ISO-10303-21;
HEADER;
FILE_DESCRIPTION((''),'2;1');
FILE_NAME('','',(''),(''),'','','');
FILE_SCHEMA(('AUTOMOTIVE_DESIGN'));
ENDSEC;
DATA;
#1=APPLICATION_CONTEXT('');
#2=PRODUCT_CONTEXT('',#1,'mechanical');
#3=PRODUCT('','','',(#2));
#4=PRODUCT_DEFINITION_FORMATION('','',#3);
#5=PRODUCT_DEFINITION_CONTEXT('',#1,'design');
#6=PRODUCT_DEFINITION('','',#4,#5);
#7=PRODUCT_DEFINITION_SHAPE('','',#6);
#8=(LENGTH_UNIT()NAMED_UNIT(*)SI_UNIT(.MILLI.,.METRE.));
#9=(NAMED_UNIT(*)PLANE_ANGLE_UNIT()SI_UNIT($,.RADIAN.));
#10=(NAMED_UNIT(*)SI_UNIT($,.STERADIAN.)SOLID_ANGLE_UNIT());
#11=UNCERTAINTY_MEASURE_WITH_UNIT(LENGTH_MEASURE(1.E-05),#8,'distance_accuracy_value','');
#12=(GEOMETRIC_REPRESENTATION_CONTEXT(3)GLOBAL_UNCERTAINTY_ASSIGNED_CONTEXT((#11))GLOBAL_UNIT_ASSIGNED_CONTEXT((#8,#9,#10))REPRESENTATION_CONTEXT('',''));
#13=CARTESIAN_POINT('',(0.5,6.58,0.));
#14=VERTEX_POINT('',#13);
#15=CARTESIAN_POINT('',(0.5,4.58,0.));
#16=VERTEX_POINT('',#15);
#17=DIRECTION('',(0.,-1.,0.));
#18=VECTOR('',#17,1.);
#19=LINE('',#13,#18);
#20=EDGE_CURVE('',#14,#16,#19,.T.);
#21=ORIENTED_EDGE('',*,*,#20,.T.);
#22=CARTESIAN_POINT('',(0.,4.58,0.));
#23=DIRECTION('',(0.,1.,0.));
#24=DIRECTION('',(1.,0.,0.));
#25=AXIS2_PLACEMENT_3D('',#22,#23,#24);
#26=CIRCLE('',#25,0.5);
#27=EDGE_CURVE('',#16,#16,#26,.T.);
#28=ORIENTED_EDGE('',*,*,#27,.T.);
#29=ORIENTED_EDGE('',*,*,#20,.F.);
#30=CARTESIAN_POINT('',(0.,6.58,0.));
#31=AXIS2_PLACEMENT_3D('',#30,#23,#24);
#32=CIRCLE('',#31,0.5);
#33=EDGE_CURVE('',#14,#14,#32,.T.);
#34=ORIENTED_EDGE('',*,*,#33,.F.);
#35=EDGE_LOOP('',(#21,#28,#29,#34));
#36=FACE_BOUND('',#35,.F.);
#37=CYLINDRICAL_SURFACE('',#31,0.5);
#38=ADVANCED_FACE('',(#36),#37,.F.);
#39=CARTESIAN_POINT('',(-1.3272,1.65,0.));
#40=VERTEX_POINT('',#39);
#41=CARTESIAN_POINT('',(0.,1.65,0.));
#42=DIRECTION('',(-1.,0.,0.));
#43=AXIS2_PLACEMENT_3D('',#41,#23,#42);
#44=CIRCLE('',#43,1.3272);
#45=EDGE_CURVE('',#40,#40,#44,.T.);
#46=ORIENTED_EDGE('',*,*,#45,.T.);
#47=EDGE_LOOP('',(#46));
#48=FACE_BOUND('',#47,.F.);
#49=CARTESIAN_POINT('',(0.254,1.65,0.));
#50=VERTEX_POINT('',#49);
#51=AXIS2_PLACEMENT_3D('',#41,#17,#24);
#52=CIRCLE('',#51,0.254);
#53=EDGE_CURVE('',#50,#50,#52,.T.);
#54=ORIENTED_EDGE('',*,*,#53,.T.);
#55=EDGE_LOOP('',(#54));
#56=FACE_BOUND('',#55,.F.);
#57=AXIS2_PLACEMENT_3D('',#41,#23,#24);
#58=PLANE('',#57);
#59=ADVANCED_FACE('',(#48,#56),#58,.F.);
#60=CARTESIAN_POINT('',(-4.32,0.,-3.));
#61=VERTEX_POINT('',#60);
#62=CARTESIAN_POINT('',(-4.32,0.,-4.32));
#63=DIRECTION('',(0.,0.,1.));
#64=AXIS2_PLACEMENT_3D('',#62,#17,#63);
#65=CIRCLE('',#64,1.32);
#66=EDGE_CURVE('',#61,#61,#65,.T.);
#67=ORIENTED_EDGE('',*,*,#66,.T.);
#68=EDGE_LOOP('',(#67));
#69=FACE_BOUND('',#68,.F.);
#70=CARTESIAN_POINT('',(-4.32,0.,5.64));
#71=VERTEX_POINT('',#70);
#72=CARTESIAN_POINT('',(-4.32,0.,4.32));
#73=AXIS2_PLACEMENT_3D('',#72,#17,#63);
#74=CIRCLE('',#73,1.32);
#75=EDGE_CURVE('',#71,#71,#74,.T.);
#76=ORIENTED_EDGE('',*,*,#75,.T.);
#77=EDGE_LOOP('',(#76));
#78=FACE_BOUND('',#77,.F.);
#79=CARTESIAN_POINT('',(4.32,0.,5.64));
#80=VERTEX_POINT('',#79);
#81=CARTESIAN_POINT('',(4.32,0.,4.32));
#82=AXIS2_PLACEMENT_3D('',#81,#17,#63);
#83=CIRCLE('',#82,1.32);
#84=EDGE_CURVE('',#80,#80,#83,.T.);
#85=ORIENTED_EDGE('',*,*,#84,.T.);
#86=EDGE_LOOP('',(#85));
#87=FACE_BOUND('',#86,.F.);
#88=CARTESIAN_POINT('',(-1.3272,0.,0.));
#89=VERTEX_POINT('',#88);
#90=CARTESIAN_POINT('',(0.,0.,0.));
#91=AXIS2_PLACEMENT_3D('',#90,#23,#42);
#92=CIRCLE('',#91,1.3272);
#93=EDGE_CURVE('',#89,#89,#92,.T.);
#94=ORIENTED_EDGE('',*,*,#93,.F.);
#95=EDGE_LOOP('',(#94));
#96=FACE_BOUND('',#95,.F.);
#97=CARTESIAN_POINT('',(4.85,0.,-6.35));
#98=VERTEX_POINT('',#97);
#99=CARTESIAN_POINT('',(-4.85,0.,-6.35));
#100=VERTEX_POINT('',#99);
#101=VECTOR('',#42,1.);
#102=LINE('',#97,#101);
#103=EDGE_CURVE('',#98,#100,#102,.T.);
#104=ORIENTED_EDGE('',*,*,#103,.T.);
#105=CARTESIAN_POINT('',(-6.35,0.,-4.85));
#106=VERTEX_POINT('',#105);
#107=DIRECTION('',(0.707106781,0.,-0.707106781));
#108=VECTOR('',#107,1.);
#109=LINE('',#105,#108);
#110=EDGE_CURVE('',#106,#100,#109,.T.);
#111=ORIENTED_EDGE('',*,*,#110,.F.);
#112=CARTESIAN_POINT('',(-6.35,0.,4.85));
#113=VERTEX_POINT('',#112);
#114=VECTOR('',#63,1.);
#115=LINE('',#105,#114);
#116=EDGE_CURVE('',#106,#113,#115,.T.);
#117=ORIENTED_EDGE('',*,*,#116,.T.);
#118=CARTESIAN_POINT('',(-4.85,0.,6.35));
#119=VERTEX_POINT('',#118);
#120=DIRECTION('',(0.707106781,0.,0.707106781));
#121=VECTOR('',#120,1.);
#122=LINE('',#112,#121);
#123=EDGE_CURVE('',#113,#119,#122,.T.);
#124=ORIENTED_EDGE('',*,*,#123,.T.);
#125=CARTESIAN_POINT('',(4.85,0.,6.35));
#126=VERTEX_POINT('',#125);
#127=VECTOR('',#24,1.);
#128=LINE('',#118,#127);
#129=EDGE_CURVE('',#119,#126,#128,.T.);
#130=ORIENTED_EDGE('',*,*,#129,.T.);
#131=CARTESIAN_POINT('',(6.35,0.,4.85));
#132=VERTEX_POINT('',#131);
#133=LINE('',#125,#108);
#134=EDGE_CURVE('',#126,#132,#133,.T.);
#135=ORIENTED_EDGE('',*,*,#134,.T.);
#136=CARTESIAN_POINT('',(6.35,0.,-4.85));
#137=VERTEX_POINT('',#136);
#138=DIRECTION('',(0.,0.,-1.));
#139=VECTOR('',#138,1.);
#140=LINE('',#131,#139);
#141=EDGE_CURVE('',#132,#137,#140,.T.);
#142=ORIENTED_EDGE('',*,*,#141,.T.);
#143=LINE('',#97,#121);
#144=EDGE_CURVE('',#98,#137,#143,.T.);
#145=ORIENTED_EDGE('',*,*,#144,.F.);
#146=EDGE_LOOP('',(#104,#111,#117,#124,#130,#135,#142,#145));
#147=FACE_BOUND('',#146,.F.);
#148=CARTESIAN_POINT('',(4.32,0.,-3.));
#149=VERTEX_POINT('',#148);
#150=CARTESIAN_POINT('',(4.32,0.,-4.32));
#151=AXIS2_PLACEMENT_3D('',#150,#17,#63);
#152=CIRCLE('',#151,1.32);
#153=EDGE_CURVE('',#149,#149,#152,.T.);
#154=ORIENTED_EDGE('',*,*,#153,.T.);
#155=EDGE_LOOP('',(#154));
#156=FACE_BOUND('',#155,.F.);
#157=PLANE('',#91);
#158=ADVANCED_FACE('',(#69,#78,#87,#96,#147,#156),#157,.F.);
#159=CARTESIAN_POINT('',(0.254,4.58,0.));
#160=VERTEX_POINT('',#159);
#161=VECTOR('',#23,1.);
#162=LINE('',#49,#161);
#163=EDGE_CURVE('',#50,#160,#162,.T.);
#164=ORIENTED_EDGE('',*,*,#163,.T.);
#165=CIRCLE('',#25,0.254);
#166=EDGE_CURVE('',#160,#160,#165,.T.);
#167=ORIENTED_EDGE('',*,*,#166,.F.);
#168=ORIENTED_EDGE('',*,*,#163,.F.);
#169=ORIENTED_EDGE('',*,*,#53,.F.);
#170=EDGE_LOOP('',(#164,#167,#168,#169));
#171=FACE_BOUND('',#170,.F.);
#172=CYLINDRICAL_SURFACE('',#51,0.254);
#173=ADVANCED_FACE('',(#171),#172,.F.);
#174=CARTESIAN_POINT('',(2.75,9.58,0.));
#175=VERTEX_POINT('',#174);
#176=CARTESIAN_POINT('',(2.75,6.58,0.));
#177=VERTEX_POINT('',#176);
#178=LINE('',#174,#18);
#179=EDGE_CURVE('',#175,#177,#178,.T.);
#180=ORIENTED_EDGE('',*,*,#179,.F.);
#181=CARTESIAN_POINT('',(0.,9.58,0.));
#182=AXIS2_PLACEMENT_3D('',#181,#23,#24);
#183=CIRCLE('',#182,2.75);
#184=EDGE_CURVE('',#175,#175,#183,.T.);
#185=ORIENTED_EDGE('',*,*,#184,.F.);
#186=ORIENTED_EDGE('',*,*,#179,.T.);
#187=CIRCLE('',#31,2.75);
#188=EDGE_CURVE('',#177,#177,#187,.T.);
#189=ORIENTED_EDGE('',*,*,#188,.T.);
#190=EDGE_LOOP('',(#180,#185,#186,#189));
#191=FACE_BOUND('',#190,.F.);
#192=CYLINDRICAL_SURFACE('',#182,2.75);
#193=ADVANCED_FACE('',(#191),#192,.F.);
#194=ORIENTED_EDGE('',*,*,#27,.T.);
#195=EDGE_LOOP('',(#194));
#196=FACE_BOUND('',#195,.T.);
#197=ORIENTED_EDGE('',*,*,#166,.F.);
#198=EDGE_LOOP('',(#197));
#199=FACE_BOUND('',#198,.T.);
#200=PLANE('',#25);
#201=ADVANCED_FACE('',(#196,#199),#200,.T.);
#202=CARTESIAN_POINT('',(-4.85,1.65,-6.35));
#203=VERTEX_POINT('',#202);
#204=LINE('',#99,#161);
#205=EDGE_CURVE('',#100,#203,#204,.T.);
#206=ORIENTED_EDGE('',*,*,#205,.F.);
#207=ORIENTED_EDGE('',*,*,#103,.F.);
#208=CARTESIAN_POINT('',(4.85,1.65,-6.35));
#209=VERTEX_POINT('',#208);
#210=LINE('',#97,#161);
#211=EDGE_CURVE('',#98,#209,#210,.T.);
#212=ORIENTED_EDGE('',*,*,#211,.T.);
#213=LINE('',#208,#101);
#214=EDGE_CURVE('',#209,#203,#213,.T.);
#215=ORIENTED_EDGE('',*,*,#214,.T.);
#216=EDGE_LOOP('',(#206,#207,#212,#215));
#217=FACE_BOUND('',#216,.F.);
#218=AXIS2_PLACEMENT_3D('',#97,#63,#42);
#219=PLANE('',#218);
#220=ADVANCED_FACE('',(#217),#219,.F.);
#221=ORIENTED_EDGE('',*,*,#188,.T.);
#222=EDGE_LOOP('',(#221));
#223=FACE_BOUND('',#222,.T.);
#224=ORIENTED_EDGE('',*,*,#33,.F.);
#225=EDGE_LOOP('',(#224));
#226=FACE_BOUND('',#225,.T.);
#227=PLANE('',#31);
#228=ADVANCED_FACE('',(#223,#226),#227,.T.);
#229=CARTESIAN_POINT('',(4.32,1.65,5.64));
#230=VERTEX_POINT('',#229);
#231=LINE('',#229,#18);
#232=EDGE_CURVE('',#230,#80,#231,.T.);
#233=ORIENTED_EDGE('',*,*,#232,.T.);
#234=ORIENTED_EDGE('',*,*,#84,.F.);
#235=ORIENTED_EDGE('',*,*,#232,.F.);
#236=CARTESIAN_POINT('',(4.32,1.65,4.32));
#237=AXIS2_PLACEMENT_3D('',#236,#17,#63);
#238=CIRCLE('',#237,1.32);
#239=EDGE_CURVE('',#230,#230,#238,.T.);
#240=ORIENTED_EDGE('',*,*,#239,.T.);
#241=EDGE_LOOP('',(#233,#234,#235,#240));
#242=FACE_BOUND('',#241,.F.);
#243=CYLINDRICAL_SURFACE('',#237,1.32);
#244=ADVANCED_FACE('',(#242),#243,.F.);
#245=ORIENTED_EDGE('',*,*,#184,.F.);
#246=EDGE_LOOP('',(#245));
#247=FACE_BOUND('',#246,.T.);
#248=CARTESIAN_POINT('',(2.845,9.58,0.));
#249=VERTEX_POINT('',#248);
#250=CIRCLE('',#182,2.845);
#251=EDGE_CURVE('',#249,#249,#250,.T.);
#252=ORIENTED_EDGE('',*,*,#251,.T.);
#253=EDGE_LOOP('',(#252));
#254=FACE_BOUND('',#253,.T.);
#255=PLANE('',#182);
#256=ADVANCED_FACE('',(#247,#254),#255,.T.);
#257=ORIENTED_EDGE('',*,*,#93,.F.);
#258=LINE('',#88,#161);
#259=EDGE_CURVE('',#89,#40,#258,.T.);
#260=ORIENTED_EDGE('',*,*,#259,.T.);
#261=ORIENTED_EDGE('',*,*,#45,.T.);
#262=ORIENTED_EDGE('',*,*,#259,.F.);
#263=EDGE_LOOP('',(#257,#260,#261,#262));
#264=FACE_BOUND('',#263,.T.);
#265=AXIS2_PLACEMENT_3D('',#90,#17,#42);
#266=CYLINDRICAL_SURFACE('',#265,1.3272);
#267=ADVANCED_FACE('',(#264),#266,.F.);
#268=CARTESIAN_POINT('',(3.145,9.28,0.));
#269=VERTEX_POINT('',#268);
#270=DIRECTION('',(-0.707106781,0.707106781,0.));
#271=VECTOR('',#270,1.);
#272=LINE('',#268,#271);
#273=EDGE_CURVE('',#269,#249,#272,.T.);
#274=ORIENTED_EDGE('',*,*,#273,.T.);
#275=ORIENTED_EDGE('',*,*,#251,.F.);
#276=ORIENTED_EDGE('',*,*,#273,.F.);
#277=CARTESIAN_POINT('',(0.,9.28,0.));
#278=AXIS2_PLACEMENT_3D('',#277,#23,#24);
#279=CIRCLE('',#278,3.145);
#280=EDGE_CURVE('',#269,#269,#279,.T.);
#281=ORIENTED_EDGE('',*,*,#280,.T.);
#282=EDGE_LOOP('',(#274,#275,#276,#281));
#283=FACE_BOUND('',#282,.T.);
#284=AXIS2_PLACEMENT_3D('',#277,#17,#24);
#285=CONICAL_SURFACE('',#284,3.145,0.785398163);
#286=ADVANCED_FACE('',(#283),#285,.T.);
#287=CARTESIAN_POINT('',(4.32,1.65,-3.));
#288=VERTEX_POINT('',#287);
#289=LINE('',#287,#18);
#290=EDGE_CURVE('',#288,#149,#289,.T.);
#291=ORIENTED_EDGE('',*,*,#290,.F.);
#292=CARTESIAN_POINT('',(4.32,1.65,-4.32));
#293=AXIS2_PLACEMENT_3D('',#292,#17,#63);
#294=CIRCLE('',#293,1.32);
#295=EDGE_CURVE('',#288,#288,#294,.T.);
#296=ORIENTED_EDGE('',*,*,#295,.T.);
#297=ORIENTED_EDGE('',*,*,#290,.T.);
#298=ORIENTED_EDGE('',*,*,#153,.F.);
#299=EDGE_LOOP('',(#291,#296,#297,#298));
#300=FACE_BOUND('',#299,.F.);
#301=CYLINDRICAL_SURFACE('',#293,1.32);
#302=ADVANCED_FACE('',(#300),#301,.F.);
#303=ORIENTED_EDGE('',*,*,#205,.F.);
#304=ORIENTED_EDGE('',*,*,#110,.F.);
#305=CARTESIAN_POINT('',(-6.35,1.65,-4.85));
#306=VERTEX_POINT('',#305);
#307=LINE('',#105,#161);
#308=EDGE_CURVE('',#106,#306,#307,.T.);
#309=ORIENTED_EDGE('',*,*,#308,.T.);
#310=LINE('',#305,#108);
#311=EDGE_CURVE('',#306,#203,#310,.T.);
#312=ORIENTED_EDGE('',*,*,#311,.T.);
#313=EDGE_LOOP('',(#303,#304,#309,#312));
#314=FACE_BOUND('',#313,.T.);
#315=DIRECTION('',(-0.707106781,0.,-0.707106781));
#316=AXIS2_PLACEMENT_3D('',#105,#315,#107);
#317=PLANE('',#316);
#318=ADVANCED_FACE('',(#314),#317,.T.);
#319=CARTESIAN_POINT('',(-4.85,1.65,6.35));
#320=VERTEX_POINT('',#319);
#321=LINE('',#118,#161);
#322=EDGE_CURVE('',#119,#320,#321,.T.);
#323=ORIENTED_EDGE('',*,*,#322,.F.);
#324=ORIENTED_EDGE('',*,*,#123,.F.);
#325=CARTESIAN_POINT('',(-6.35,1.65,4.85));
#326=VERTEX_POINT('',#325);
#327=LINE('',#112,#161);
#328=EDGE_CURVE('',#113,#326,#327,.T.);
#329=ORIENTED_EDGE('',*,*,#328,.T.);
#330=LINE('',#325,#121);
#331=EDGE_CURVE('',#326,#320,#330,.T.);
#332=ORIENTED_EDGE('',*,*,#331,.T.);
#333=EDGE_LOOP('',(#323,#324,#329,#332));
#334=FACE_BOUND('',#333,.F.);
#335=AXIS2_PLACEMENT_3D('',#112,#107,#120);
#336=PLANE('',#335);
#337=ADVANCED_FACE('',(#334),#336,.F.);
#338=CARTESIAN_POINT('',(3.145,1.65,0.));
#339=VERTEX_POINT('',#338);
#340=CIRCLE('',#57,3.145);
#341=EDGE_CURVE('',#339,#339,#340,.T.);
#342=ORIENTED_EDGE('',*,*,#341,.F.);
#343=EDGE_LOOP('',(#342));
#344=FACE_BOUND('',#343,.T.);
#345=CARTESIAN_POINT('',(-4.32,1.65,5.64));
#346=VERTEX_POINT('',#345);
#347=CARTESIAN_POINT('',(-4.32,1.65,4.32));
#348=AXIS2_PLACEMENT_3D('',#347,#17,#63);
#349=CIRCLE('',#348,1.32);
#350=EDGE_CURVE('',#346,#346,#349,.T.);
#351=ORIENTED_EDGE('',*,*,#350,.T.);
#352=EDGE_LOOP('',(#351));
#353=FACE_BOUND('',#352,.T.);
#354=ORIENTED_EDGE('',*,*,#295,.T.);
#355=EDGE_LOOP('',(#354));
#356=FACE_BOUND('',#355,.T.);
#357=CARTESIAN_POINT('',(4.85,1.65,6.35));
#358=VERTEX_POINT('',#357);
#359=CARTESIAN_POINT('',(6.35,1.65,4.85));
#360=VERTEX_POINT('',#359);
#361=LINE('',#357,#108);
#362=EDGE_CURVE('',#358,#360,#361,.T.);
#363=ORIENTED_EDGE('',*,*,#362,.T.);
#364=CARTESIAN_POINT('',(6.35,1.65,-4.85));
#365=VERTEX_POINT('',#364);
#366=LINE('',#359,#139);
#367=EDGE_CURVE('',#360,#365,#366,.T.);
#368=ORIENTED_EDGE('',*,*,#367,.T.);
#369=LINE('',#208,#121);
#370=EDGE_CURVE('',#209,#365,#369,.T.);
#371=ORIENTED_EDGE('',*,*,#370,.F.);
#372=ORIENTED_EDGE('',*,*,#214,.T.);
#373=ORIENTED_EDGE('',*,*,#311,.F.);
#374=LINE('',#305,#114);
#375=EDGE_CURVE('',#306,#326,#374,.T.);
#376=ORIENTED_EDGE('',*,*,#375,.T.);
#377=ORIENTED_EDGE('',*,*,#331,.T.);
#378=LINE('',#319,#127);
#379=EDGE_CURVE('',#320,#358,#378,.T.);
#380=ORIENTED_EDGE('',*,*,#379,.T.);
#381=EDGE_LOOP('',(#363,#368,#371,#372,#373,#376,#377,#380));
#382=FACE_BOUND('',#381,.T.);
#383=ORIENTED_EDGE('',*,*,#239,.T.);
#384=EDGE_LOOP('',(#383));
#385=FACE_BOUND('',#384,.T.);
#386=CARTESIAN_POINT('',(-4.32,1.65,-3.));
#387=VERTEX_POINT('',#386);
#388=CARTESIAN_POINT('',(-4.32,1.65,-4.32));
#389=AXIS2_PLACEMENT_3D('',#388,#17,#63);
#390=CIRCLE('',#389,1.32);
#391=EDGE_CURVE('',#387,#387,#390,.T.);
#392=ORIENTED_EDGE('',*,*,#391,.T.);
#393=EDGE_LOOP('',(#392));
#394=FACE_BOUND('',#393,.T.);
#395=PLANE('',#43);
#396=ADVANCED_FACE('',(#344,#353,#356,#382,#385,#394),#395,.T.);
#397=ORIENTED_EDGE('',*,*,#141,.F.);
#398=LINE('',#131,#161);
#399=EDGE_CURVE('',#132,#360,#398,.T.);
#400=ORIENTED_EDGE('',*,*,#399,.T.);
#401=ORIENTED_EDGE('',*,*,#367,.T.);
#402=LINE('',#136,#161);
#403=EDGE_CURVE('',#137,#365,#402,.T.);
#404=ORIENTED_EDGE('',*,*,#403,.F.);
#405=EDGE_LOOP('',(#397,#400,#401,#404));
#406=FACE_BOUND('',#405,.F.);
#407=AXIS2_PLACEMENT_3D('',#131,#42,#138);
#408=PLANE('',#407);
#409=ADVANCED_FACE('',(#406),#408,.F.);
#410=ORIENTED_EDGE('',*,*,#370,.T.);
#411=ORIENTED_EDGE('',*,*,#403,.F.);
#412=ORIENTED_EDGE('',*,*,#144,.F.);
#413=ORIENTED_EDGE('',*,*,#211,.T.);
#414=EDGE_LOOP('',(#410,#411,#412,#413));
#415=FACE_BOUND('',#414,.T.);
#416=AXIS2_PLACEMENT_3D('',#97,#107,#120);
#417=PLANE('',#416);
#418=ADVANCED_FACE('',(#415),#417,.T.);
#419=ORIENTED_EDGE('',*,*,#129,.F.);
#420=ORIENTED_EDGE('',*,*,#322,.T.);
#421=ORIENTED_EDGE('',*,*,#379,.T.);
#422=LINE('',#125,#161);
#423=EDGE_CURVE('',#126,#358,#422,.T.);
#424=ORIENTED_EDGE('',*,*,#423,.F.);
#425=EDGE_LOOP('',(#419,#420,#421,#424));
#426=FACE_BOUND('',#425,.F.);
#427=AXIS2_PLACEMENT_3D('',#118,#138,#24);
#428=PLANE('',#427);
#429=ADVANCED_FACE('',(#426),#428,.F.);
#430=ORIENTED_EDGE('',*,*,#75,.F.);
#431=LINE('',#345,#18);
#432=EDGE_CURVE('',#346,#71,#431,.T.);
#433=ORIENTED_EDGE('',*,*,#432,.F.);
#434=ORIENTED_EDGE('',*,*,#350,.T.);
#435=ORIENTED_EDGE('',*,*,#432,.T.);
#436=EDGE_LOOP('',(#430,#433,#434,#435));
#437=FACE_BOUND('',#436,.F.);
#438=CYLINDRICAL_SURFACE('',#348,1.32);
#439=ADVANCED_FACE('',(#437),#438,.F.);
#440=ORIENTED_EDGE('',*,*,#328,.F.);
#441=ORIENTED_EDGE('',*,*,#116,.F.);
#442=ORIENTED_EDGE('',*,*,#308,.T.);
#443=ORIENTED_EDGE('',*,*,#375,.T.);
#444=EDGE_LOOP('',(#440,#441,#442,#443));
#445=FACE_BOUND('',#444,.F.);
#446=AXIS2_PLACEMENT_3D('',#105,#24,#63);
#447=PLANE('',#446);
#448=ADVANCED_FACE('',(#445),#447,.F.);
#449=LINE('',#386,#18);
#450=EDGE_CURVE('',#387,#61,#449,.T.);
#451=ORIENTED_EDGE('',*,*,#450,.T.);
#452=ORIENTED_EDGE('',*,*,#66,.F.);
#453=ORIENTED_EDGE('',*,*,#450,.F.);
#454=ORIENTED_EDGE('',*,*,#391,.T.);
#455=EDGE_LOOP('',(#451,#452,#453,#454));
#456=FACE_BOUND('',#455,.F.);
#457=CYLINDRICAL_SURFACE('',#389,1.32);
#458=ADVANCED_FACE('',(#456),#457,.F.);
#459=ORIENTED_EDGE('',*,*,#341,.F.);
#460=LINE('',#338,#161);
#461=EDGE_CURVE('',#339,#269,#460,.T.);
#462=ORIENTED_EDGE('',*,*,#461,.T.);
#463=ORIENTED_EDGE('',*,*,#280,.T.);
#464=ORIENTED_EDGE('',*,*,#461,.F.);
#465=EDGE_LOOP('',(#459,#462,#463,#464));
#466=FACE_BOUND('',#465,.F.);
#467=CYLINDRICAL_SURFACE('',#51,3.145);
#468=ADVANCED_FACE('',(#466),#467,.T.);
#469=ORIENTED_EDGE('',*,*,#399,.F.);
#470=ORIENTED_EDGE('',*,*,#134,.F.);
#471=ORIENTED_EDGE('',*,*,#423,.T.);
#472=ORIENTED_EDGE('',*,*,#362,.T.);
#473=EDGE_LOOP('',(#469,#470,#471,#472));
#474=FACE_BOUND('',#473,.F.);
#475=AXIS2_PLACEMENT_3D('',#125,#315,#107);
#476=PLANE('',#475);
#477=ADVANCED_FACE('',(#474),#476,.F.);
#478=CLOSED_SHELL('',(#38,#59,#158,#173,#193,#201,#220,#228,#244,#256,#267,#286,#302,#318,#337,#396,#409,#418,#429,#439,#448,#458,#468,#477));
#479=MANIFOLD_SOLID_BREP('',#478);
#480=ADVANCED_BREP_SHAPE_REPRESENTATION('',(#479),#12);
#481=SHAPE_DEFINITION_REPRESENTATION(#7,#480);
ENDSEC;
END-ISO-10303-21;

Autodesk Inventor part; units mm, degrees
ref_plane "YZ Plane" through (0, 0, 0) normal (1, 0, 0) x (0, 1, 0)
ref_plane "XZ Plane" through (0, 0, 0) normal (0, 1, 0) x (-1, 0, 0)
ref_plane "XY Plane" through (0, 0, 0) normal (0, 0, 1) x (1, 0, 0)
sketch "Sketch1" plane through (0, 0, 0) normal (0, 1, 0) x (-1, 0, 0)
  line L0 (4.85, 6.35) -> (-4.85, 6.35)
  line L1 (-6.35, 4.85) -> (-6.35, -4.85)
  line L2 (-4.85, -6.35) -> (4.85, -6.35)
  line L3 (6.35, -4.85) -> (6.35, 4.85)
  line L4 (6.35, 6.35) -> (-6.35, -6.35) construction
  line L5 (-6.35, 6.35) -> (6.35, -6.35) construction
  line L6 (6.35, -4.85) -> (4.85, -6.35)
  line L7 (-4.85, -6.35) -> (-6.35, -4.85)
  line L8 (-4.85, 6.35) -> (-6.35, 4.85)
  line L9 (6.35, 4.85) -> (4.85, 6.35)
  line L10 (4.32, 4.32) -> (-4.32, 4.32) construction
  line L11 (-4.32, 4.32) -> (-4.32, -4.32) construction
  line L12 (-4.32, -4.32) -> (4.32, -4.32) construction
  line L13 (4.32, -4.32) -> (4.32, 4.32) construction
  line L14 (4.32, 4.32) -> (-4.32, -4.32) construction
  line L15 (-4.32, 4.32) -> (4.32, -4.32) construction
  circle A0 centre (0, 0) radius 1.3272
  dimension "d0" = 12.7
  dimension "d1" = 12.7
  dimension "d5" = 9.7
  dimension "d6" = 1.5
  dimension "d7" = 8.64
  dimension "d8" = 8.64
  dimension "d9" = 2.6543
extrude "Extrusion1" add sketch "Sketch1" along normal blind 1.65
sketch "Sketch2" plane through (0, 1.65, 0) normal (0, 1, 0) x (1, 0, 0)
  circle A0 centre (0, 0) radius 1.3272 projected
  line L0 (-4.32, -4.32) -> (4.32, -4.32) construction
  line L1 (4.32, -4.32) -> (4.32, 4.32) construction
  line L2 (4.32, 4.32) -> (-4.32, 4.32) construction
  line L3 (-4.32, 4.32) -> (-4.32, -4.32) construction
  line L4 (-4.32, -4.32) -> (4.32, 4.32) construction
  line L5 (4.32, -4.32) -> (-4.32, 4.32) construction
  dimension "d12" = 8.64
  dimension "d13" = 8.64
hole "Hole1" at (-4.32, 1.65, -4.32) at (4.32, 1.65, -4.32) at (4.32, 1.65, 4.32) at (-4.32, 1.65, 4.32) direction (0, -1, 0) diameter 2.64 depth 1.65 tip angle 118
sketch "Sketch3" plane through (0, 1.65, 0) normal (0, 1, 0) x (1, 0, 0)
  circle A0 centre (0, 0) radius 1.3272 projected
  circle A1 centre (0, 0) radius 3.145
  dimension "d21" = 6.29
extrude "Extrusion2" add sketch "Sketch3" along normal blind 7.93 contours A0 | A1
thread "Thread1" size "1/4-36 UNS" class "2A" standard "ANSI Unified Screw Threads" length 4.38
chamfer "Chamfer1" distance 0.3 angle 45 1 edges at (-3.145, 9.58, 0)
sketch "Sketch4" plane through (0, 9.58, 0) normal (0, 1, 0) x (1, 0, 0)
  circle A0 centre (0, 0) radius 2.845 projected
  circle A1 centre (0, 0) radius 2.75
  dimension "d30" = 5.5
extrude "Extrusion3" cut sketch "Sketch4" against normal blind 3 contours A1
sketch "Sketch5" plane through (0, 1.65, 0) normal (0, -1, 0) x (1, 0, 0)
  circle A0 centre (0, 0) radius 1.3272 projected
  circle A1 centre (0, 0) radius 0.254
  dimension "d33" = 0.508
extrude "Extrusion4" cut sketch "Sketch5" against normal blind 6 contours A1
sketch "Sketch6" plane through (0, 6.58, 0) normal (0, 1, 0) x (1, 0, 0)
  circle A0 centre (0, 0) radius 0.254 projected
  circle A1 centre (0, 0) radius 2.75 projected
  circle A2 centre (0, 0) radius 0.5
  dimension "d36" = 1
extrude "Extrusion5" cut sketch "Sketch6" against normal blind 2 contours A2
properties part number "SMA_connector"
